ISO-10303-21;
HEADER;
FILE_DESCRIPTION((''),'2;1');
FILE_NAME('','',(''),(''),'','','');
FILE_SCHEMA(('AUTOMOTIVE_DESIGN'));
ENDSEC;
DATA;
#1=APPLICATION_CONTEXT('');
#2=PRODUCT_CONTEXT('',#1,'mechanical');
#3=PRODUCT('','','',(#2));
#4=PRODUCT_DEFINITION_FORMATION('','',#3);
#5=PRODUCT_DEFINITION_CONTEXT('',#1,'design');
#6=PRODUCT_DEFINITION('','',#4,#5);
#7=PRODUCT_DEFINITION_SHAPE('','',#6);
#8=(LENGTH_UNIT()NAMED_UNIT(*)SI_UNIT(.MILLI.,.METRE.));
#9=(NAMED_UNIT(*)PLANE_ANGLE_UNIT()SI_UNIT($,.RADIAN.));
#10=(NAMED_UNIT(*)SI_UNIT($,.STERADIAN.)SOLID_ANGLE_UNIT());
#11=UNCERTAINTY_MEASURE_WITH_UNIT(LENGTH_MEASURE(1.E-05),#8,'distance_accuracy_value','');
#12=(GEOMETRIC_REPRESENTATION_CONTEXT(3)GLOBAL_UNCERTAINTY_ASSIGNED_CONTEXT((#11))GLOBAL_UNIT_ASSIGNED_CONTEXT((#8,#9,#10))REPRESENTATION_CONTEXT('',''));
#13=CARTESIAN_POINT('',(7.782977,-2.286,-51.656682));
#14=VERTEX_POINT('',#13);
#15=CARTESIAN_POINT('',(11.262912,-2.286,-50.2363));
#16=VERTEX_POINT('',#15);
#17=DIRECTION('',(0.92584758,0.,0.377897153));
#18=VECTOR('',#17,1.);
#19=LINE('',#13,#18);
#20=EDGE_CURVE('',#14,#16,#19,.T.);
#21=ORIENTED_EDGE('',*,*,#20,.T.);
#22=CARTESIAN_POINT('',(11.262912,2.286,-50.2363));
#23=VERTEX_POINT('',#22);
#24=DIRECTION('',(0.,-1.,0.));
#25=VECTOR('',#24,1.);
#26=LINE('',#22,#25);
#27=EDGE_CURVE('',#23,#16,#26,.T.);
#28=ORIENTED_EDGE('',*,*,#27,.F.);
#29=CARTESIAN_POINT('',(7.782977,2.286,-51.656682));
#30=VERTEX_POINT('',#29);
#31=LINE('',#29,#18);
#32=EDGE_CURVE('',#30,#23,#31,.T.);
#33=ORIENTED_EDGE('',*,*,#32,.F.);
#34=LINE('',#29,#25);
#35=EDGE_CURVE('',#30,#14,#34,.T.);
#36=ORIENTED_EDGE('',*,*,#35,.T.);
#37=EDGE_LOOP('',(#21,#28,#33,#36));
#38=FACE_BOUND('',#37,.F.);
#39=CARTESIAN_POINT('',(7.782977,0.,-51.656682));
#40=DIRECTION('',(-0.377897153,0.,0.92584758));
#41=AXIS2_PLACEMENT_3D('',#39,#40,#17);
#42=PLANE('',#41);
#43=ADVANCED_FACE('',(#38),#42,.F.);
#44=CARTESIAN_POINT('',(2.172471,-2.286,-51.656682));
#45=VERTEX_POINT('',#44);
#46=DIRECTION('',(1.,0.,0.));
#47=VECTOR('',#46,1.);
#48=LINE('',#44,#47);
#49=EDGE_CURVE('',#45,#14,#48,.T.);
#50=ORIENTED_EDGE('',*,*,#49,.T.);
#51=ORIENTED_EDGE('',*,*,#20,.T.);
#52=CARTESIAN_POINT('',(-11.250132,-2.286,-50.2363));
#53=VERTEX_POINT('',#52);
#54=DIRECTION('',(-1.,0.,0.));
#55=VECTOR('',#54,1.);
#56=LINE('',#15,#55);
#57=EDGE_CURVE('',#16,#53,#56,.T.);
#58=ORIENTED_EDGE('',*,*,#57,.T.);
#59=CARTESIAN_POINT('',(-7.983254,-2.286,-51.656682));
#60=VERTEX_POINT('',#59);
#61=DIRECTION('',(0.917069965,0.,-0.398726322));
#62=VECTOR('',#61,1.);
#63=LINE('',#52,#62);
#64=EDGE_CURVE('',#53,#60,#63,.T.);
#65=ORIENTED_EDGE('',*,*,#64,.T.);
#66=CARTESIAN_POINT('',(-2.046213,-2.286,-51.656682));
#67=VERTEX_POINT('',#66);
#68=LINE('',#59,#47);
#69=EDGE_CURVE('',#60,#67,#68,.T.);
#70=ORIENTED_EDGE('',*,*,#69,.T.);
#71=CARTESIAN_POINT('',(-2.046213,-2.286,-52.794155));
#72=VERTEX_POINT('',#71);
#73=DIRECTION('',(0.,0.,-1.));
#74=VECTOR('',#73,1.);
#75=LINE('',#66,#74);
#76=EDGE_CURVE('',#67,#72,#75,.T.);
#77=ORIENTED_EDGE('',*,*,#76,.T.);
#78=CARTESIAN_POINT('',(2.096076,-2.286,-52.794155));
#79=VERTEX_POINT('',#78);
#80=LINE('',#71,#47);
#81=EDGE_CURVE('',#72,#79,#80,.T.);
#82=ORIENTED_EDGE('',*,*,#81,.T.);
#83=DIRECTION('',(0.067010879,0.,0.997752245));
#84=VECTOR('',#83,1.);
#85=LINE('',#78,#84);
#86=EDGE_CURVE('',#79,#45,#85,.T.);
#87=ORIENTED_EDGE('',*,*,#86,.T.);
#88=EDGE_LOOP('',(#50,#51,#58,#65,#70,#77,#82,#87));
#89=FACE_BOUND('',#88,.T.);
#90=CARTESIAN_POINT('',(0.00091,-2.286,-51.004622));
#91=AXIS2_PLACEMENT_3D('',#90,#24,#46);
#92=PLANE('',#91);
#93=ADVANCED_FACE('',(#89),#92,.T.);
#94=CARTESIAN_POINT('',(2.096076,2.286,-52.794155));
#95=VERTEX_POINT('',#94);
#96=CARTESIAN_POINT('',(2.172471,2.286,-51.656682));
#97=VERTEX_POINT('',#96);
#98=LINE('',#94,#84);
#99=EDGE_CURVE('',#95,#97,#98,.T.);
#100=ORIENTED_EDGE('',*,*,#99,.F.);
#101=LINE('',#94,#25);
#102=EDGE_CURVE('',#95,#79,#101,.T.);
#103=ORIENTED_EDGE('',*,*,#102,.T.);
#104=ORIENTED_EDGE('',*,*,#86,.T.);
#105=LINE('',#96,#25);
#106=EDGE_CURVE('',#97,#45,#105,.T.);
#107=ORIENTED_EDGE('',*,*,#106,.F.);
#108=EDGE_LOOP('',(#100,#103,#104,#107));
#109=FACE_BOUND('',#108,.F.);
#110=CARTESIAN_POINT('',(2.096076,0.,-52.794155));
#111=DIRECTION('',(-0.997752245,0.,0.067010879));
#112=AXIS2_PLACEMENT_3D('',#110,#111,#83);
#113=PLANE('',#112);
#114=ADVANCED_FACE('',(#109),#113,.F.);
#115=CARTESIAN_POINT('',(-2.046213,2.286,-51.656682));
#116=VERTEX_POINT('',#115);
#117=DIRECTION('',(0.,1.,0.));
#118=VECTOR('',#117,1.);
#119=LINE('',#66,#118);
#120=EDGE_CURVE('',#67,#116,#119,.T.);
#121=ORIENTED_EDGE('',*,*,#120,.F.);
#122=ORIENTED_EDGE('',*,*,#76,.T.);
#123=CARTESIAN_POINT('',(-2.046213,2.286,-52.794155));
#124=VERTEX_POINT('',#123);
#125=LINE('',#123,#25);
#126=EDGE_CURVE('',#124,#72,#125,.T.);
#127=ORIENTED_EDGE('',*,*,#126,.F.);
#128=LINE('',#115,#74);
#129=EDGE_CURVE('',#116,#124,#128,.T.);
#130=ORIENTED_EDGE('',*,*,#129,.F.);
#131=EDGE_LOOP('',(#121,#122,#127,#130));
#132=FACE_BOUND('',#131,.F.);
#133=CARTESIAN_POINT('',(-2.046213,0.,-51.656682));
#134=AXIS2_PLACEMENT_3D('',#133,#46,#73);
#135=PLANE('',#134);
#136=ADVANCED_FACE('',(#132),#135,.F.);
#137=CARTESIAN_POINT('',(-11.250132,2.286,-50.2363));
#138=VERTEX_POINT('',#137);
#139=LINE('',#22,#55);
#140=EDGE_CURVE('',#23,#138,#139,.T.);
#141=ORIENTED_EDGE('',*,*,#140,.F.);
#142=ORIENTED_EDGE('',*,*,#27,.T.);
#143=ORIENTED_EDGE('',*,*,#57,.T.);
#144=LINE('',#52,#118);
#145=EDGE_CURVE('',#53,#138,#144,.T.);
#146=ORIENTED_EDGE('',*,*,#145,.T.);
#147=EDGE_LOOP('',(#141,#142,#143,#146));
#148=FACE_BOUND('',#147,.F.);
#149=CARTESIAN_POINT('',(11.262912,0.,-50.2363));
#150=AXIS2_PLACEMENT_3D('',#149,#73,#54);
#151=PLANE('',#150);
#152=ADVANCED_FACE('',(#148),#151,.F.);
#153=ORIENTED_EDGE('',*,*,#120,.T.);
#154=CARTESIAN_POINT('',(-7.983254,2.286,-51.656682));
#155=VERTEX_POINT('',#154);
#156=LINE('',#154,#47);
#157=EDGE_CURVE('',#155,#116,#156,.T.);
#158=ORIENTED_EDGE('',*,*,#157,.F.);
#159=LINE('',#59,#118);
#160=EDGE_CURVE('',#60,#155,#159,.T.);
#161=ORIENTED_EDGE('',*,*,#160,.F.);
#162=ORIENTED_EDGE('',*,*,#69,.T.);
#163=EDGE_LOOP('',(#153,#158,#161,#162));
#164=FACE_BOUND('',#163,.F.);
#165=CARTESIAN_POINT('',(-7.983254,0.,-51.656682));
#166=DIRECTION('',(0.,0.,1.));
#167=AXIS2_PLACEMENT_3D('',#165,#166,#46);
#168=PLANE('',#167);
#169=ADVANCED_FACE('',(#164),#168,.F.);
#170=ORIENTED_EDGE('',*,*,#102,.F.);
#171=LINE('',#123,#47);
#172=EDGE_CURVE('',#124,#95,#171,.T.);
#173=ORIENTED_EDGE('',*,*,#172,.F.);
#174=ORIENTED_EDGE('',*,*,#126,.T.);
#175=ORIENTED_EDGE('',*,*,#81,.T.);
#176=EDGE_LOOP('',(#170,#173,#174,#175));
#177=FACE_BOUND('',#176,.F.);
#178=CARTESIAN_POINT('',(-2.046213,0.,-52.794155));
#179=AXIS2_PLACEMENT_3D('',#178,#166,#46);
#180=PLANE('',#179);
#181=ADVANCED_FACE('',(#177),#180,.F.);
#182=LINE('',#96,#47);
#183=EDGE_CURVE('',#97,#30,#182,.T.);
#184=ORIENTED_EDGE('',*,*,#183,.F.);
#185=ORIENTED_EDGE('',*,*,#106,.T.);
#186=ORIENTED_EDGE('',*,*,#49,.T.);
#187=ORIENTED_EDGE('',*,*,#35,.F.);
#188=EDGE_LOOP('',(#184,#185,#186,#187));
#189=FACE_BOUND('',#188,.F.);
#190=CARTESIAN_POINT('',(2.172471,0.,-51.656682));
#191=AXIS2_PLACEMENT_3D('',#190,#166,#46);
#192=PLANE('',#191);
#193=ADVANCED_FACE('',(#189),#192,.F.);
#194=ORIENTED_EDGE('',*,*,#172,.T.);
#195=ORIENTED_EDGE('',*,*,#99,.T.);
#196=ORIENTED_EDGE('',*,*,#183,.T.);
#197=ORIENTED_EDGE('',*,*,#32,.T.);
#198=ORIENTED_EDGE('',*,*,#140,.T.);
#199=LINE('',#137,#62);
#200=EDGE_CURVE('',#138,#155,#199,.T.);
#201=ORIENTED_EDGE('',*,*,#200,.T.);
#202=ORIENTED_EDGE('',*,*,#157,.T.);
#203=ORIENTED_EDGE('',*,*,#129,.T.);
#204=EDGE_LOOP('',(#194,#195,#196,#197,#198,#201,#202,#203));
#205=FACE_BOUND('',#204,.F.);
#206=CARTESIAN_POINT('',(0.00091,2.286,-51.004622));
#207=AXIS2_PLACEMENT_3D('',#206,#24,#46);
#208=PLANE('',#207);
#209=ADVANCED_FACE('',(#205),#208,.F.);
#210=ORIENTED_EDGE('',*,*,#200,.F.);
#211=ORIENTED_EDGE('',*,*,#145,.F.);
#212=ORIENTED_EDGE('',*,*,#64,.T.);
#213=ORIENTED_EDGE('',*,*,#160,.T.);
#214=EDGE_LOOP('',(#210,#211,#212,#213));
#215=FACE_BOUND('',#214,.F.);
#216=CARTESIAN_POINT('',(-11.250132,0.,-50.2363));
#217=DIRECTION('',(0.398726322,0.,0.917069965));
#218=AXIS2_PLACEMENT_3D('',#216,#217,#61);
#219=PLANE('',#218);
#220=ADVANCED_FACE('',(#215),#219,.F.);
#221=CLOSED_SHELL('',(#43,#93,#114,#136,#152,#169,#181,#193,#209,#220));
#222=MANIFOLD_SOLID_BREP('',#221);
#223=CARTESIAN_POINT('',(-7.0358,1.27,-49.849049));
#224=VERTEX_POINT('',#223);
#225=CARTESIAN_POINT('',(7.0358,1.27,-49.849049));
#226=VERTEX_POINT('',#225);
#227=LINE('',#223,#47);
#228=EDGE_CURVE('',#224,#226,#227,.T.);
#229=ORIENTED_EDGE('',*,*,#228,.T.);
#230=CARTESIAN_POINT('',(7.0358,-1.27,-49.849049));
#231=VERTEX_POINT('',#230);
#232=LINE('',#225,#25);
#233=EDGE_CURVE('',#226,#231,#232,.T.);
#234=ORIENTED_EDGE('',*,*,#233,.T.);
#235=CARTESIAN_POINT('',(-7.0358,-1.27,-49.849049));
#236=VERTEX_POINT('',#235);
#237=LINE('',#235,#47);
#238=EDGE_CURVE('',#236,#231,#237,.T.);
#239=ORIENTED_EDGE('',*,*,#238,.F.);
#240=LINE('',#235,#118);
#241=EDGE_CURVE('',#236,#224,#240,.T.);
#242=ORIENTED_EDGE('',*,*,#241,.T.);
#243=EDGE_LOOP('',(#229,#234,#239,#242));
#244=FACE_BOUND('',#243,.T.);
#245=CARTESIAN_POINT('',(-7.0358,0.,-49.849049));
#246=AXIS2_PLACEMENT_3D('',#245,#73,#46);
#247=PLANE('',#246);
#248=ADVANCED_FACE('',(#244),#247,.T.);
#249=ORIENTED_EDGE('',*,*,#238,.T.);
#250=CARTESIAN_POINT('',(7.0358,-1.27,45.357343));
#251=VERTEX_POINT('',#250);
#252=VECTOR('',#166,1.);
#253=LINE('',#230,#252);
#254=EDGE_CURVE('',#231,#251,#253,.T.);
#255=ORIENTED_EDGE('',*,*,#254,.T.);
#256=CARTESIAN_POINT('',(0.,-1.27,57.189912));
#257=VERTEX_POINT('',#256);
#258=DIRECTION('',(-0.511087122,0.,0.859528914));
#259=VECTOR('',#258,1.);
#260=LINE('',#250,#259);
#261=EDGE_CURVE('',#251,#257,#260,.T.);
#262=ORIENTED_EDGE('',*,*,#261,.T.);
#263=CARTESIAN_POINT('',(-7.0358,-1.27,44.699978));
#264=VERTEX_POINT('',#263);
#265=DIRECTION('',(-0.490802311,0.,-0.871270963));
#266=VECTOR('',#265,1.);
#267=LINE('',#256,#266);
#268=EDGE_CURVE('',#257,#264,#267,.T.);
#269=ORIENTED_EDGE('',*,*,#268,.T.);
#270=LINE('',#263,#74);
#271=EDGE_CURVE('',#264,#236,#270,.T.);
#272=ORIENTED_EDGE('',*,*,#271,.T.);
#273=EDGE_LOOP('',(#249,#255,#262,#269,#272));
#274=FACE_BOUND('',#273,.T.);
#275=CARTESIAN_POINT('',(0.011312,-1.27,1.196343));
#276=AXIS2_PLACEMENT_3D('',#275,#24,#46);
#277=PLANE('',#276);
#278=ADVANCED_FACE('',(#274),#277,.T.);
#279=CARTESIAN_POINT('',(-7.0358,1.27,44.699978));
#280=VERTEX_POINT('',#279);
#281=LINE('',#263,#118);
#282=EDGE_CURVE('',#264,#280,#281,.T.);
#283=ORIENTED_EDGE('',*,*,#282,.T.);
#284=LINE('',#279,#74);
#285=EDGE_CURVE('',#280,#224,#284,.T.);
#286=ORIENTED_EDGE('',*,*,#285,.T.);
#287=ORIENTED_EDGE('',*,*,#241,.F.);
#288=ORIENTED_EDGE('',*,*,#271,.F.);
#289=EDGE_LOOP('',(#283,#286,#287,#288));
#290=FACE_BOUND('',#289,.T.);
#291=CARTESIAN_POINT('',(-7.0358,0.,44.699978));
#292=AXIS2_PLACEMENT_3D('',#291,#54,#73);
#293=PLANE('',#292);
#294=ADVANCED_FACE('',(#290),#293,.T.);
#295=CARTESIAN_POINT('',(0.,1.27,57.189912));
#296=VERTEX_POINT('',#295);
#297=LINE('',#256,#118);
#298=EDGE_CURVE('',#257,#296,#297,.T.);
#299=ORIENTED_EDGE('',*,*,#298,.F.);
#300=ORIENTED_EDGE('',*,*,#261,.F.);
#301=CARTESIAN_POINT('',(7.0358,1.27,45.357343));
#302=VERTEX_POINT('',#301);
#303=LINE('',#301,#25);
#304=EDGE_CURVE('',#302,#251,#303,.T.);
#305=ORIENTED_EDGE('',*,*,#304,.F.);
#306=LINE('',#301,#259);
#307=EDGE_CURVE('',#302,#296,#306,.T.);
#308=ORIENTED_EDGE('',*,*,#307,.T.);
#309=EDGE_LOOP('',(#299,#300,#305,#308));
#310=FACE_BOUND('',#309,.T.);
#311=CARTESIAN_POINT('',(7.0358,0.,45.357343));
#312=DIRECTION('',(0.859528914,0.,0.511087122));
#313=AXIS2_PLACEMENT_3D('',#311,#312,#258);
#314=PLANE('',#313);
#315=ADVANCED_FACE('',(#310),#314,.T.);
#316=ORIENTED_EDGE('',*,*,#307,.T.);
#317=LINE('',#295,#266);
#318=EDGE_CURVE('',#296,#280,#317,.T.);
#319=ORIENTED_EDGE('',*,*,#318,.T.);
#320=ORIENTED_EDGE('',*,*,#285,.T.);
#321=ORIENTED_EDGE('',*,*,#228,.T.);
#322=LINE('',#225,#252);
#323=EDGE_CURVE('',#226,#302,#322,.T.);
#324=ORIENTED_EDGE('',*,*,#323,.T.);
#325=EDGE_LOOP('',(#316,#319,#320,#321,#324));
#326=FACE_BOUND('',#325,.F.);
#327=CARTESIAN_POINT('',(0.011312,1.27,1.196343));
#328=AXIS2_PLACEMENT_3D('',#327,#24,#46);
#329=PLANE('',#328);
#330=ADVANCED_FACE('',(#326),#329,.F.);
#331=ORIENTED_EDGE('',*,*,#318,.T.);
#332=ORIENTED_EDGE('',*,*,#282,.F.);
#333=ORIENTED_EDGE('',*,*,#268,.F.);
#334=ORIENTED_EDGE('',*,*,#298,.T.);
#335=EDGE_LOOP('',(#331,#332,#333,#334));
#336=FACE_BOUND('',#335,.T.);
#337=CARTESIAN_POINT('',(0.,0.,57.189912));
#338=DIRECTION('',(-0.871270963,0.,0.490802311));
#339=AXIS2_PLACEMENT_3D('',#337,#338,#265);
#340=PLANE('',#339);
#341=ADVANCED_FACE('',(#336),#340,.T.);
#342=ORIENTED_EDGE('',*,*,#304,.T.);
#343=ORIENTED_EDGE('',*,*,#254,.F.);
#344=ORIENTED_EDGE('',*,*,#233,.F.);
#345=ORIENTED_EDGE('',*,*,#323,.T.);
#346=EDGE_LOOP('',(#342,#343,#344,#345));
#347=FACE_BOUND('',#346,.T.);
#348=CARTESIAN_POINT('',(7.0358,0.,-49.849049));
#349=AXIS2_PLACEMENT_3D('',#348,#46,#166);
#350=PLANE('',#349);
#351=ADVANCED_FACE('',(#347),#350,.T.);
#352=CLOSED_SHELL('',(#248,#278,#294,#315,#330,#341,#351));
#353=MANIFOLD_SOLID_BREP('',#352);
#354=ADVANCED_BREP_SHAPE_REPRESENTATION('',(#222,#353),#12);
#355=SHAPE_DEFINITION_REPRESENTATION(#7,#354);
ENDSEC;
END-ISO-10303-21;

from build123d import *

# Parameters (mm, degrees)
F2_DEPTH      = 2.286
F2_DEPTH_BACK = 2.286
F4_DEPTH      = 1.27
F4_DEPTH_BACK = 1.27


with BuildPart() as f2:
    # F1 (on Front) → F2 (new body, two sides)
    with BuildSketch(Plane.XZ) as f2_sk:
        Polygon((-2.0462132525, -51.6566820443), (-2.0462132525, -52.7941547334), (2.0960764959, -52.7941547334), (2.1724712569, -51.6566820443), (7.7829770744, -51.6566820443), (11.2629123032, -50.236299634), (0, -50.236299634), (-11.2501317635, -50.236299634), (-7.9832542688, -51.6566820443), align=None)
    extrude(amount=-F2_DEPTH)
    extrude(f2_sk.sketch, amount=F2_DEPTH_BACK)


with BuildPart() as f4:
    # F3 (on Front) → F4 (new body, two sides)
    with BuildSketch(Plane.XZ) as f4_sk:
        Polygon((-7.0358, -49.8490490608), (0, -49.8490490608), (7.0358, -49.8490490608), (7.0358, 45.3573428094), (0, 57.1899116039), (-7.0358, 44.6999780834), align=None)
    extrude(amount=F4_DEPTH)
    extrude(f4_sk.sketch, amount=-F4_DEPTH_BACK)


solid = Compound([f2.part, f4.part])
